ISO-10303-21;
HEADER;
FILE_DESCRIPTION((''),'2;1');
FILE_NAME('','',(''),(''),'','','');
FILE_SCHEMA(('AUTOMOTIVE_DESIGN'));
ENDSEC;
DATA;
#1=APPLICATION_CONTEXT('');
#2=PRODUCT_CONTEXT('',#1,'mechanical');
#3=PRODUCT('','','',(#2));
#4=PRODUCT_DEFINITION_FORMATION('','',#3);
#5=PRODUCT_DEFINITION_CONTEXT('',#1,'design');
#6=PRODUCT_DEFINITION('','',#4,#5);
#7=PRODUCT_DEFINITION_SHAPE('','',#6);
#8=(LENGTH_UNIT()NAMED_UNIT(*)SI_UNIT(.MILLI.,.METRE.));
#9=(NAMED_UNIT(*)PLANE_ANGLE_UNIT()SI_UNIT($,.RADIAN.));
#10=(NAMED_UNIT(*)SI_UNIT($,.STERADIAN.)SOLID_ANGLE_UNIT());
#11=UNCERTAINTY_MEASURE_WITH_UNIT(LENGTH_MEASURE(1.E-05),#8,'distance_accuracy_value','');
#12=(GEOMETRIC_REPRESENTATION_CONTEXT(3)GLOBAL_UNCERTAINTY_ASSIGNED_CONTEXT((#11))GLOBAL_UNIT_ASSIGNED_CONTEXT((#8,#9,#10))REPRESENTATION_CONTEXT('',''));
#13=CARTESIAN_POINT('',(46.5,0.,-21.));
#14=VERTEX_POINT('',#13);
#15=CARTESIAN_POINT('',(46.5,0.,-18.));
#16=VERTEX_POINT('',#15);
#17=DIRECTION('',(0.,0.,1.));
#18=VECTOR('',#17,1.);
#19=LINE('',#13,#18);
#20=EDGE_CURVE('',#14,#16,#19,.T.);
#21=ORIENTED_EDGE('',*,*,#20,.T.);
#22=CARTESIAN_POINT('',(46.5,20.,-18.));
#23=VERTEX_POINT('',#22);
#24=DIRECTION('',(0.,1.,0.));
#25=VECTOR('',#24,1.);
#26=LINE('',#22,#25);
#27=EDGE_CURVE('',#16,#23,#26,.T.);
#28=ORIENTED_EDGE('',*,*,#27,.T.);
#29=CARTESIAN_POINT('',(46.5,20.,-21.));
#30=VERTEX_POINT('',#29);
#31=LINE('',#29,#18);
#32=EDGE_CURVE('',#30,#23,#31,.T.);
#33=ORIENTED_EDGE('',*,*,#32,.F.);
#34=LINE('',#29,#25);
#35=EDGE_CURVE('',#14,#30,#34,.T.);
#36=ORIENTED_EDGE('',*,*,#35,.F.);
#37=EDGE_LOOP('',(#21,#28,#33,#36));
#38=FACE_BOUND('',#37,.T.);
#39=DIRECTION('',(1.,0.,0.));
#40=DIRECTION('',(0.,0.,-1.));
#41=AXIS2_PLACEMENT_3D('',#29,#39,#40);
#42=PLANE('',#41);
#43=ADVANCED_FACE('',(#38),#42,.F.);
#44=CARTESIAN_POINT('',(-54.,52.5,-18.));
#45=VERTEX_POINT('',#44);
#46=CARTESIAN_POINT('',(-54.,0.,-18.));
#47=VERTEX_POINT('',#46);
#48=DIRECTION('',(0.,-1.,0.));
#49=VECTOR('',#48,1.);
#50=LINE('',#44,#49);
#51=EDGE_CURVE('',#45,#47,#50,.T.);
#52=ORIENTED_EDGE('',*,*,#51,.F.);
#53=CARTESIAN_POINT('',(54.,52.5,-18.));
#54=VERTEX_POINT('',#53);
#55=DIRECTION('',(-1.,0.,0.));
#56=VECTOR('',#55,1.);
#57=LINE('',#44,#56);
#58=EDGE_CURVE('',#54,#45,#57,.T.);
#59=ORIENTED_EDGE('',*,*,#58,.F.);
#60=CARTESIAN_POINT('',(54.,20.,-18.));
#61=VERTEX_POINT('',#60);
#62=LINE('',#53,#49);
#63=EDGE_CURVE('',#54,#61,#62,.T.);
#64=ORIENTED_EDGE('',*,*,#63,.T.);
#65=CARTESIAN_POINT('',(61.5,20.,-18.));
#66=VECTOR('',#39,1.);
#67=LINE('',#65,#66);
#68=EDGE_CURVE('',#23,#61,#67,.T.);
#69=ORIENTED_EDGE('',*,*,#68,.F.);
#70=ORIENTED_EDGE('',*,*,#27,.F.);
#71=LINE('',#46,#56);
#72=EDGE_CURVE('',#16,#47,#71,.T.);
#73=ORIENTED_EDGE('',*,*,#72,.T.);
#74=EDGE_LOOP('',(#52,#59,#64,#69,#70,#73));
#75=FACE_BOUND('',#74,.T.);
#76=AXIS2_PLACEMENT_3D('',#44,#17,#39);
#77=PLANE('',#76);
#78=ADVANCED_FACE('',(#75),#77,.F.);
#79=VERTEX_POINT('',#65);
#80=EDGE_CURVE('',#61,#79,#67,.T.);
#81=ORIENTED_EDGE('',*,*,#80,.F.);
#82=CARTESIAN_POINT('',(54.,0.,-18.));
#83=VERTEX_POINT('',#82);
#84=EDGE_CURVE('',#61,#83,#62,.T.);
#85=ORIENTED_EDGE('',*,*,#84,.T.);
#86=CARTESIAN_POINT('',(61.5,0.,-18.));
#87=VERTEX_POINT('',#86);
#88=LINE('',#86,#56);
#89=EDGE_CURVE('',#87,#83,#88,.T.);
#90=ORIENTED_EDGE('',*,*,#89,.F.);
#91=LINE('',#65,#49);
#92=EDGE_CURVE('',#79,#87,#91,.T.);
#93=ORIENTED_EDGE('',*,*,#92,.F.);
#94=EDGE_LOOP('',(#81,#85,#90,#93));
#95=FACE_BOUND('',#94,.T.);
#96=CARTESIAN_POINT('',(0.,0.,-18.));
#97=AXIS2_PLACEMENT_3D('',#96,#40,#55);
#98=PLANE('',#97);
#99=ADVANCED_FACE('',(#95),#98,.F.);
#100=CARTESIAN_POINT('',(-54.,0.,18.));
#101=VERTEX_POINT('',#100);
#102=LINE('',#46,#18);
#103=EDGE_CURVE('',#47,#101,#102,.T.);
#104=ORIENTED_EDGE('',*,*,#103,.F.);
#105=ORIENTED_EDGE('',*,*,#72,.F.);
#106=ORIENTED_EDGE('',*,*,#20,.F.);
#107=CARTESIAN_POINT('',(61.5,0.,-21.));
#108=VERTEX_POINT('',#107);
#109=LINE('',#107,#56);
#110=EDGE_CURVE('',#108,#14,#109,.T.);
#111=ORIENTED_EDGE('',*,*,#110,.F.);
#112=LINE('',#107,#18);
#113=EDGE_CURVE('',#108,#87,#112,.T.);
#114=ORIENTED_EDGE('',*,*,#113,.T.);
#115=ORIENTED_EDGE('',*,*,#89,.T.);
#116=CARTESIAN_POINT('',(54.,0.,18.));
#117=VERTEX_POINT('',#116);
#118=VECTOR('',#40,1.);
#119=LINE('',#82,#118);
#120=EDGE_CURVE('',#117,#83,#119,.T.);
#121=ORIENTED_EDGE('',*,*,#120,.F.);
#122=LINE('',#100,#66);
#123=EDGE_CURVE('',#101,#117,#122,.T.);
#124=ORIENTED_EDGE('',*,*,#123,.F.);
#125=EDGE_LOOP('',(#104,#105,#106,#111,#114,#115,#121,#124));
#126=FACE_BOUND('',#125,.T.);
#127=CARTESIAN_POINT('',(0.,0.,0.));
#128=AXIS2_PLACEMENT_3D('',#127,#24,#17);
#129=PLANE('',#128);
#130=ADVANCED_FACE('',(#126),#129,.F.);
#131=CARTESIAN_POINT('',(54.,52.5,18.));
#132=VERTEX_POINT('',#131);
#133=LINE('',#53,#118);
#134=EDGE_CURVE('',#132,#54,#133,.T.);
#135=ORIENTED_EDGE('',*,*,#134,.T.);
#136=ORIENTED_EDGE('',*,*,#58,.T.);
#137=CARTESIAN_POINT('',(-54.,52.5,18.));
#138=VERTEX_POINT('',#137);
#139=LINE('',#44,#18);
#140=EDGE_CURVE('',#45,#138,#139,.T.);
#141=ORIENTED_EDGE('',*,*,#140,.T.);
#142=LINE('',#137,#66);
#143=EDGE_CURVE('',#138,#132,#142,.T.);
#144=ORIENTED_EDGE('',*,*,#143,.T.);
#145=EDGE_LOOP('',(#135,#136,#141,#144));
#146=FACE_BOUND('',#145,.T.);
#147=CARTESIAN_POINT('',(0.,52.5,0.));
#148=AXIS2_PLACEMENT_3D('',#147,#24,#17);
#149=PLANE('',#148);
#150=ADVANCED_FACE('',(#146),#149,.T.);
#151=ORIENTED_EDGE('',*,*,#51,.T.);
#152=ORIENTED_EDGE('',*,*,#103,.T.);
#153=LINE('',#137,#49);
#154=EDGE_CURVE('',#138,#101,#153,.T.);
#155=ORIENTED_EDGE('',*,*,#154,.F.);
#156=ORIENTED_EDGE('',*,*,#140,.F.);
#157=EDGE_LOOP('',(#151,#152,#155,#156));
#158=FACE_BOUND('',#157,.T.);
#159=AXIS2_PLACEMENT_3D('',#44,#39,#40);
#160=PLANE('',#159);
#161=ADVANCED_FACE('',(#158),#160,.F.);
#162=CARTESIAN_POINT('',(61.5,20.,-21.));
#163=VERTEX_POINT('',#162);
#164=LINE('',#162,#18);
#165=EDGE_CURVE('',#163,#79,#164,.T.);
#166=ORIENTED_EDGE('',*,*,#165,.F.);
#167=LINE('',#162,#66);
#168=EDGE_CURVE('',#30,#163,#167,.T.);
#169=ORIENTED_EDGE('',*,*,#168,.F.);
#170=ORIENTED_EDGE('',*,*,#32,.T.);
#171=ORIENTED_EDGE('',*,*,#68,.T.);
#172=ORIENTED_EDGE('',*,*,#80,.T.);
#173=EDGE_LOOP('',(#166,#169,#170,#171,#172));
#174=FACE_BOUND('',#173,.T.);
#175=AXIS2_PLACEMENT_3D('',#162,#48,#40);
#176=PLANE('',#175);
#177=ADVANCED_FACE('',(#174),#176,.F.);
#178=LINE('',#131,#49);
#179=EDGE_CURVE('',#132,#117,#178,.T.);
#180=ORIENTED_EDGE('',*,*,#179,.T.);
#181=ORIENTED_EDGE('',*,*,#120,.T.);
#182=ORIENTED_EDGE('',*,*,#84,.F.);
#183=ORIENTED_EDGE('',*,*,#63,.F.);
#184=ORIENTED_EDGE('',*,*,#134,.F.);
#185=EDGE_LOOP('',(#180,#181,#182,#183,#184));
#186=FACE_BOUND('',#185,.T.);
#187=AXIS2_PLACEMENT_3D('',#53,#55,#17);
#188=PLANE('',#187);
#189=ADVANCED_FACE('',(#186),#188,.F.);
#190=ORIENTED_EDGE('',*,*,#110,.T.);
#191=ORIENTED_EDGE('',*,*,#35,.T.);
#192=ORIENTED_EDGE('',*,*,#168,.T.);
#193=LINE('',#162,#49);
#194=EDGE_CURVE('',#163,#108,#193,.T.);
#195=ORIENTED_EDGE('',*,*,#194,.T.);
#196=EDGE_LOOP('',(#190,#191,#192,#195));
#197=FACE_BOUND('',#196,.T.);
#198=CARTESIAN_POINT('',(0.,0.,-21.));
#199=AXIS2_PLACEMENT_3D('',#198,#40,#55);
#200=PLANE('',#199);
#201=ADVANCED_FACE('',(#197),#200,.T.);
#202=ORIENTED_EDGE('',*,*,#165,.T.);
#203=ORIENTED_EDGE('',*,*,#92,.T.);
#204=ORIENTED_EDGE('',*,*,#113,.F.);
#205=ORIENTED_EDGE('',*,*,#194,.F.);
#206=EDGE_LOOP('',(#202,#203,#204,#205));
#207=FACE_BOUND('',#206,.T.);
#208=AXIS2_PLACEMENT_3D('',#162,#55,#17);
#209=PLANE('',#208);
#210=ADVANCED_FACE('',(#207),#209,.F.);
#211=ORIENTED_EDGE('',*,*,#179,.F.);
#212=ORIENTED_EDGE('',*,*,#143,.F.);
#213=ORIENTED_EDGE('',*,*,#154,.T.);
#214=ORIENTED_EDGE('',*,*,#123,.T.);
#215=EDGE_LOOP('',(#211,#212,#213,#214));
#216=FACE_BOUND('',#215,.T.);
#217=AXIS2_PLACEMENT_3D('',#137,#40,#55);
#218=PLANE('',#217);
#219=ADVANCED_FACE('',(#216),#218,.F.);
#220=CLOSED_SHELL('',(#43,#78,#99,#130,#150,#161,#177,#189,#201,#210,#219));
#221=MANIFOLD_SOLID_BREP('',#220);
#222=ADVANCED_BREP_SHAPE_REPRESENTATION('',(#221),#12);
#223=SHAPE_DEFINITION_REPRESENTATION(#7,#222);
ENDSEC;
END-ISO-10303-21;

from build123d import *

# Parameters (mm, degrees)
SKETCH_1_W      = 108
SKETCH_1_H      = 36
EXTRUDE_1_DEPTH = 52.5
SKETCH_2_W      = 15
SKETCH_2_H      = 20
EXTRUDE_2_DEPTH = 3


with BuildPart() as part:
    # 草图1 → 凸台-拉伸1 (new body)
    with BuildSketch(Plane(origin=(0, 0, 0), x_dir=(1, 0, 0), z_dir=(0, 1, 0))):
        Rectangle(SKETCH_1_W, SKETCH_1_H)
    extrude(amount=EXTRUDE_1_DEPTH)

    # 草图2 → 凸台-拉伸2 (add)
    with BuildSketch(Plane(origin=(0, 0, -18), x_dir=(-1, 0, 0), z_dir=(0, 0, -1))):
        with Locations((-54, 10)):
            Rectangle(SKETCH_2_W, SKETCH_2_H)
    extrude(amount=EXTRUDE_2_DEPTH)


solid = part.part
